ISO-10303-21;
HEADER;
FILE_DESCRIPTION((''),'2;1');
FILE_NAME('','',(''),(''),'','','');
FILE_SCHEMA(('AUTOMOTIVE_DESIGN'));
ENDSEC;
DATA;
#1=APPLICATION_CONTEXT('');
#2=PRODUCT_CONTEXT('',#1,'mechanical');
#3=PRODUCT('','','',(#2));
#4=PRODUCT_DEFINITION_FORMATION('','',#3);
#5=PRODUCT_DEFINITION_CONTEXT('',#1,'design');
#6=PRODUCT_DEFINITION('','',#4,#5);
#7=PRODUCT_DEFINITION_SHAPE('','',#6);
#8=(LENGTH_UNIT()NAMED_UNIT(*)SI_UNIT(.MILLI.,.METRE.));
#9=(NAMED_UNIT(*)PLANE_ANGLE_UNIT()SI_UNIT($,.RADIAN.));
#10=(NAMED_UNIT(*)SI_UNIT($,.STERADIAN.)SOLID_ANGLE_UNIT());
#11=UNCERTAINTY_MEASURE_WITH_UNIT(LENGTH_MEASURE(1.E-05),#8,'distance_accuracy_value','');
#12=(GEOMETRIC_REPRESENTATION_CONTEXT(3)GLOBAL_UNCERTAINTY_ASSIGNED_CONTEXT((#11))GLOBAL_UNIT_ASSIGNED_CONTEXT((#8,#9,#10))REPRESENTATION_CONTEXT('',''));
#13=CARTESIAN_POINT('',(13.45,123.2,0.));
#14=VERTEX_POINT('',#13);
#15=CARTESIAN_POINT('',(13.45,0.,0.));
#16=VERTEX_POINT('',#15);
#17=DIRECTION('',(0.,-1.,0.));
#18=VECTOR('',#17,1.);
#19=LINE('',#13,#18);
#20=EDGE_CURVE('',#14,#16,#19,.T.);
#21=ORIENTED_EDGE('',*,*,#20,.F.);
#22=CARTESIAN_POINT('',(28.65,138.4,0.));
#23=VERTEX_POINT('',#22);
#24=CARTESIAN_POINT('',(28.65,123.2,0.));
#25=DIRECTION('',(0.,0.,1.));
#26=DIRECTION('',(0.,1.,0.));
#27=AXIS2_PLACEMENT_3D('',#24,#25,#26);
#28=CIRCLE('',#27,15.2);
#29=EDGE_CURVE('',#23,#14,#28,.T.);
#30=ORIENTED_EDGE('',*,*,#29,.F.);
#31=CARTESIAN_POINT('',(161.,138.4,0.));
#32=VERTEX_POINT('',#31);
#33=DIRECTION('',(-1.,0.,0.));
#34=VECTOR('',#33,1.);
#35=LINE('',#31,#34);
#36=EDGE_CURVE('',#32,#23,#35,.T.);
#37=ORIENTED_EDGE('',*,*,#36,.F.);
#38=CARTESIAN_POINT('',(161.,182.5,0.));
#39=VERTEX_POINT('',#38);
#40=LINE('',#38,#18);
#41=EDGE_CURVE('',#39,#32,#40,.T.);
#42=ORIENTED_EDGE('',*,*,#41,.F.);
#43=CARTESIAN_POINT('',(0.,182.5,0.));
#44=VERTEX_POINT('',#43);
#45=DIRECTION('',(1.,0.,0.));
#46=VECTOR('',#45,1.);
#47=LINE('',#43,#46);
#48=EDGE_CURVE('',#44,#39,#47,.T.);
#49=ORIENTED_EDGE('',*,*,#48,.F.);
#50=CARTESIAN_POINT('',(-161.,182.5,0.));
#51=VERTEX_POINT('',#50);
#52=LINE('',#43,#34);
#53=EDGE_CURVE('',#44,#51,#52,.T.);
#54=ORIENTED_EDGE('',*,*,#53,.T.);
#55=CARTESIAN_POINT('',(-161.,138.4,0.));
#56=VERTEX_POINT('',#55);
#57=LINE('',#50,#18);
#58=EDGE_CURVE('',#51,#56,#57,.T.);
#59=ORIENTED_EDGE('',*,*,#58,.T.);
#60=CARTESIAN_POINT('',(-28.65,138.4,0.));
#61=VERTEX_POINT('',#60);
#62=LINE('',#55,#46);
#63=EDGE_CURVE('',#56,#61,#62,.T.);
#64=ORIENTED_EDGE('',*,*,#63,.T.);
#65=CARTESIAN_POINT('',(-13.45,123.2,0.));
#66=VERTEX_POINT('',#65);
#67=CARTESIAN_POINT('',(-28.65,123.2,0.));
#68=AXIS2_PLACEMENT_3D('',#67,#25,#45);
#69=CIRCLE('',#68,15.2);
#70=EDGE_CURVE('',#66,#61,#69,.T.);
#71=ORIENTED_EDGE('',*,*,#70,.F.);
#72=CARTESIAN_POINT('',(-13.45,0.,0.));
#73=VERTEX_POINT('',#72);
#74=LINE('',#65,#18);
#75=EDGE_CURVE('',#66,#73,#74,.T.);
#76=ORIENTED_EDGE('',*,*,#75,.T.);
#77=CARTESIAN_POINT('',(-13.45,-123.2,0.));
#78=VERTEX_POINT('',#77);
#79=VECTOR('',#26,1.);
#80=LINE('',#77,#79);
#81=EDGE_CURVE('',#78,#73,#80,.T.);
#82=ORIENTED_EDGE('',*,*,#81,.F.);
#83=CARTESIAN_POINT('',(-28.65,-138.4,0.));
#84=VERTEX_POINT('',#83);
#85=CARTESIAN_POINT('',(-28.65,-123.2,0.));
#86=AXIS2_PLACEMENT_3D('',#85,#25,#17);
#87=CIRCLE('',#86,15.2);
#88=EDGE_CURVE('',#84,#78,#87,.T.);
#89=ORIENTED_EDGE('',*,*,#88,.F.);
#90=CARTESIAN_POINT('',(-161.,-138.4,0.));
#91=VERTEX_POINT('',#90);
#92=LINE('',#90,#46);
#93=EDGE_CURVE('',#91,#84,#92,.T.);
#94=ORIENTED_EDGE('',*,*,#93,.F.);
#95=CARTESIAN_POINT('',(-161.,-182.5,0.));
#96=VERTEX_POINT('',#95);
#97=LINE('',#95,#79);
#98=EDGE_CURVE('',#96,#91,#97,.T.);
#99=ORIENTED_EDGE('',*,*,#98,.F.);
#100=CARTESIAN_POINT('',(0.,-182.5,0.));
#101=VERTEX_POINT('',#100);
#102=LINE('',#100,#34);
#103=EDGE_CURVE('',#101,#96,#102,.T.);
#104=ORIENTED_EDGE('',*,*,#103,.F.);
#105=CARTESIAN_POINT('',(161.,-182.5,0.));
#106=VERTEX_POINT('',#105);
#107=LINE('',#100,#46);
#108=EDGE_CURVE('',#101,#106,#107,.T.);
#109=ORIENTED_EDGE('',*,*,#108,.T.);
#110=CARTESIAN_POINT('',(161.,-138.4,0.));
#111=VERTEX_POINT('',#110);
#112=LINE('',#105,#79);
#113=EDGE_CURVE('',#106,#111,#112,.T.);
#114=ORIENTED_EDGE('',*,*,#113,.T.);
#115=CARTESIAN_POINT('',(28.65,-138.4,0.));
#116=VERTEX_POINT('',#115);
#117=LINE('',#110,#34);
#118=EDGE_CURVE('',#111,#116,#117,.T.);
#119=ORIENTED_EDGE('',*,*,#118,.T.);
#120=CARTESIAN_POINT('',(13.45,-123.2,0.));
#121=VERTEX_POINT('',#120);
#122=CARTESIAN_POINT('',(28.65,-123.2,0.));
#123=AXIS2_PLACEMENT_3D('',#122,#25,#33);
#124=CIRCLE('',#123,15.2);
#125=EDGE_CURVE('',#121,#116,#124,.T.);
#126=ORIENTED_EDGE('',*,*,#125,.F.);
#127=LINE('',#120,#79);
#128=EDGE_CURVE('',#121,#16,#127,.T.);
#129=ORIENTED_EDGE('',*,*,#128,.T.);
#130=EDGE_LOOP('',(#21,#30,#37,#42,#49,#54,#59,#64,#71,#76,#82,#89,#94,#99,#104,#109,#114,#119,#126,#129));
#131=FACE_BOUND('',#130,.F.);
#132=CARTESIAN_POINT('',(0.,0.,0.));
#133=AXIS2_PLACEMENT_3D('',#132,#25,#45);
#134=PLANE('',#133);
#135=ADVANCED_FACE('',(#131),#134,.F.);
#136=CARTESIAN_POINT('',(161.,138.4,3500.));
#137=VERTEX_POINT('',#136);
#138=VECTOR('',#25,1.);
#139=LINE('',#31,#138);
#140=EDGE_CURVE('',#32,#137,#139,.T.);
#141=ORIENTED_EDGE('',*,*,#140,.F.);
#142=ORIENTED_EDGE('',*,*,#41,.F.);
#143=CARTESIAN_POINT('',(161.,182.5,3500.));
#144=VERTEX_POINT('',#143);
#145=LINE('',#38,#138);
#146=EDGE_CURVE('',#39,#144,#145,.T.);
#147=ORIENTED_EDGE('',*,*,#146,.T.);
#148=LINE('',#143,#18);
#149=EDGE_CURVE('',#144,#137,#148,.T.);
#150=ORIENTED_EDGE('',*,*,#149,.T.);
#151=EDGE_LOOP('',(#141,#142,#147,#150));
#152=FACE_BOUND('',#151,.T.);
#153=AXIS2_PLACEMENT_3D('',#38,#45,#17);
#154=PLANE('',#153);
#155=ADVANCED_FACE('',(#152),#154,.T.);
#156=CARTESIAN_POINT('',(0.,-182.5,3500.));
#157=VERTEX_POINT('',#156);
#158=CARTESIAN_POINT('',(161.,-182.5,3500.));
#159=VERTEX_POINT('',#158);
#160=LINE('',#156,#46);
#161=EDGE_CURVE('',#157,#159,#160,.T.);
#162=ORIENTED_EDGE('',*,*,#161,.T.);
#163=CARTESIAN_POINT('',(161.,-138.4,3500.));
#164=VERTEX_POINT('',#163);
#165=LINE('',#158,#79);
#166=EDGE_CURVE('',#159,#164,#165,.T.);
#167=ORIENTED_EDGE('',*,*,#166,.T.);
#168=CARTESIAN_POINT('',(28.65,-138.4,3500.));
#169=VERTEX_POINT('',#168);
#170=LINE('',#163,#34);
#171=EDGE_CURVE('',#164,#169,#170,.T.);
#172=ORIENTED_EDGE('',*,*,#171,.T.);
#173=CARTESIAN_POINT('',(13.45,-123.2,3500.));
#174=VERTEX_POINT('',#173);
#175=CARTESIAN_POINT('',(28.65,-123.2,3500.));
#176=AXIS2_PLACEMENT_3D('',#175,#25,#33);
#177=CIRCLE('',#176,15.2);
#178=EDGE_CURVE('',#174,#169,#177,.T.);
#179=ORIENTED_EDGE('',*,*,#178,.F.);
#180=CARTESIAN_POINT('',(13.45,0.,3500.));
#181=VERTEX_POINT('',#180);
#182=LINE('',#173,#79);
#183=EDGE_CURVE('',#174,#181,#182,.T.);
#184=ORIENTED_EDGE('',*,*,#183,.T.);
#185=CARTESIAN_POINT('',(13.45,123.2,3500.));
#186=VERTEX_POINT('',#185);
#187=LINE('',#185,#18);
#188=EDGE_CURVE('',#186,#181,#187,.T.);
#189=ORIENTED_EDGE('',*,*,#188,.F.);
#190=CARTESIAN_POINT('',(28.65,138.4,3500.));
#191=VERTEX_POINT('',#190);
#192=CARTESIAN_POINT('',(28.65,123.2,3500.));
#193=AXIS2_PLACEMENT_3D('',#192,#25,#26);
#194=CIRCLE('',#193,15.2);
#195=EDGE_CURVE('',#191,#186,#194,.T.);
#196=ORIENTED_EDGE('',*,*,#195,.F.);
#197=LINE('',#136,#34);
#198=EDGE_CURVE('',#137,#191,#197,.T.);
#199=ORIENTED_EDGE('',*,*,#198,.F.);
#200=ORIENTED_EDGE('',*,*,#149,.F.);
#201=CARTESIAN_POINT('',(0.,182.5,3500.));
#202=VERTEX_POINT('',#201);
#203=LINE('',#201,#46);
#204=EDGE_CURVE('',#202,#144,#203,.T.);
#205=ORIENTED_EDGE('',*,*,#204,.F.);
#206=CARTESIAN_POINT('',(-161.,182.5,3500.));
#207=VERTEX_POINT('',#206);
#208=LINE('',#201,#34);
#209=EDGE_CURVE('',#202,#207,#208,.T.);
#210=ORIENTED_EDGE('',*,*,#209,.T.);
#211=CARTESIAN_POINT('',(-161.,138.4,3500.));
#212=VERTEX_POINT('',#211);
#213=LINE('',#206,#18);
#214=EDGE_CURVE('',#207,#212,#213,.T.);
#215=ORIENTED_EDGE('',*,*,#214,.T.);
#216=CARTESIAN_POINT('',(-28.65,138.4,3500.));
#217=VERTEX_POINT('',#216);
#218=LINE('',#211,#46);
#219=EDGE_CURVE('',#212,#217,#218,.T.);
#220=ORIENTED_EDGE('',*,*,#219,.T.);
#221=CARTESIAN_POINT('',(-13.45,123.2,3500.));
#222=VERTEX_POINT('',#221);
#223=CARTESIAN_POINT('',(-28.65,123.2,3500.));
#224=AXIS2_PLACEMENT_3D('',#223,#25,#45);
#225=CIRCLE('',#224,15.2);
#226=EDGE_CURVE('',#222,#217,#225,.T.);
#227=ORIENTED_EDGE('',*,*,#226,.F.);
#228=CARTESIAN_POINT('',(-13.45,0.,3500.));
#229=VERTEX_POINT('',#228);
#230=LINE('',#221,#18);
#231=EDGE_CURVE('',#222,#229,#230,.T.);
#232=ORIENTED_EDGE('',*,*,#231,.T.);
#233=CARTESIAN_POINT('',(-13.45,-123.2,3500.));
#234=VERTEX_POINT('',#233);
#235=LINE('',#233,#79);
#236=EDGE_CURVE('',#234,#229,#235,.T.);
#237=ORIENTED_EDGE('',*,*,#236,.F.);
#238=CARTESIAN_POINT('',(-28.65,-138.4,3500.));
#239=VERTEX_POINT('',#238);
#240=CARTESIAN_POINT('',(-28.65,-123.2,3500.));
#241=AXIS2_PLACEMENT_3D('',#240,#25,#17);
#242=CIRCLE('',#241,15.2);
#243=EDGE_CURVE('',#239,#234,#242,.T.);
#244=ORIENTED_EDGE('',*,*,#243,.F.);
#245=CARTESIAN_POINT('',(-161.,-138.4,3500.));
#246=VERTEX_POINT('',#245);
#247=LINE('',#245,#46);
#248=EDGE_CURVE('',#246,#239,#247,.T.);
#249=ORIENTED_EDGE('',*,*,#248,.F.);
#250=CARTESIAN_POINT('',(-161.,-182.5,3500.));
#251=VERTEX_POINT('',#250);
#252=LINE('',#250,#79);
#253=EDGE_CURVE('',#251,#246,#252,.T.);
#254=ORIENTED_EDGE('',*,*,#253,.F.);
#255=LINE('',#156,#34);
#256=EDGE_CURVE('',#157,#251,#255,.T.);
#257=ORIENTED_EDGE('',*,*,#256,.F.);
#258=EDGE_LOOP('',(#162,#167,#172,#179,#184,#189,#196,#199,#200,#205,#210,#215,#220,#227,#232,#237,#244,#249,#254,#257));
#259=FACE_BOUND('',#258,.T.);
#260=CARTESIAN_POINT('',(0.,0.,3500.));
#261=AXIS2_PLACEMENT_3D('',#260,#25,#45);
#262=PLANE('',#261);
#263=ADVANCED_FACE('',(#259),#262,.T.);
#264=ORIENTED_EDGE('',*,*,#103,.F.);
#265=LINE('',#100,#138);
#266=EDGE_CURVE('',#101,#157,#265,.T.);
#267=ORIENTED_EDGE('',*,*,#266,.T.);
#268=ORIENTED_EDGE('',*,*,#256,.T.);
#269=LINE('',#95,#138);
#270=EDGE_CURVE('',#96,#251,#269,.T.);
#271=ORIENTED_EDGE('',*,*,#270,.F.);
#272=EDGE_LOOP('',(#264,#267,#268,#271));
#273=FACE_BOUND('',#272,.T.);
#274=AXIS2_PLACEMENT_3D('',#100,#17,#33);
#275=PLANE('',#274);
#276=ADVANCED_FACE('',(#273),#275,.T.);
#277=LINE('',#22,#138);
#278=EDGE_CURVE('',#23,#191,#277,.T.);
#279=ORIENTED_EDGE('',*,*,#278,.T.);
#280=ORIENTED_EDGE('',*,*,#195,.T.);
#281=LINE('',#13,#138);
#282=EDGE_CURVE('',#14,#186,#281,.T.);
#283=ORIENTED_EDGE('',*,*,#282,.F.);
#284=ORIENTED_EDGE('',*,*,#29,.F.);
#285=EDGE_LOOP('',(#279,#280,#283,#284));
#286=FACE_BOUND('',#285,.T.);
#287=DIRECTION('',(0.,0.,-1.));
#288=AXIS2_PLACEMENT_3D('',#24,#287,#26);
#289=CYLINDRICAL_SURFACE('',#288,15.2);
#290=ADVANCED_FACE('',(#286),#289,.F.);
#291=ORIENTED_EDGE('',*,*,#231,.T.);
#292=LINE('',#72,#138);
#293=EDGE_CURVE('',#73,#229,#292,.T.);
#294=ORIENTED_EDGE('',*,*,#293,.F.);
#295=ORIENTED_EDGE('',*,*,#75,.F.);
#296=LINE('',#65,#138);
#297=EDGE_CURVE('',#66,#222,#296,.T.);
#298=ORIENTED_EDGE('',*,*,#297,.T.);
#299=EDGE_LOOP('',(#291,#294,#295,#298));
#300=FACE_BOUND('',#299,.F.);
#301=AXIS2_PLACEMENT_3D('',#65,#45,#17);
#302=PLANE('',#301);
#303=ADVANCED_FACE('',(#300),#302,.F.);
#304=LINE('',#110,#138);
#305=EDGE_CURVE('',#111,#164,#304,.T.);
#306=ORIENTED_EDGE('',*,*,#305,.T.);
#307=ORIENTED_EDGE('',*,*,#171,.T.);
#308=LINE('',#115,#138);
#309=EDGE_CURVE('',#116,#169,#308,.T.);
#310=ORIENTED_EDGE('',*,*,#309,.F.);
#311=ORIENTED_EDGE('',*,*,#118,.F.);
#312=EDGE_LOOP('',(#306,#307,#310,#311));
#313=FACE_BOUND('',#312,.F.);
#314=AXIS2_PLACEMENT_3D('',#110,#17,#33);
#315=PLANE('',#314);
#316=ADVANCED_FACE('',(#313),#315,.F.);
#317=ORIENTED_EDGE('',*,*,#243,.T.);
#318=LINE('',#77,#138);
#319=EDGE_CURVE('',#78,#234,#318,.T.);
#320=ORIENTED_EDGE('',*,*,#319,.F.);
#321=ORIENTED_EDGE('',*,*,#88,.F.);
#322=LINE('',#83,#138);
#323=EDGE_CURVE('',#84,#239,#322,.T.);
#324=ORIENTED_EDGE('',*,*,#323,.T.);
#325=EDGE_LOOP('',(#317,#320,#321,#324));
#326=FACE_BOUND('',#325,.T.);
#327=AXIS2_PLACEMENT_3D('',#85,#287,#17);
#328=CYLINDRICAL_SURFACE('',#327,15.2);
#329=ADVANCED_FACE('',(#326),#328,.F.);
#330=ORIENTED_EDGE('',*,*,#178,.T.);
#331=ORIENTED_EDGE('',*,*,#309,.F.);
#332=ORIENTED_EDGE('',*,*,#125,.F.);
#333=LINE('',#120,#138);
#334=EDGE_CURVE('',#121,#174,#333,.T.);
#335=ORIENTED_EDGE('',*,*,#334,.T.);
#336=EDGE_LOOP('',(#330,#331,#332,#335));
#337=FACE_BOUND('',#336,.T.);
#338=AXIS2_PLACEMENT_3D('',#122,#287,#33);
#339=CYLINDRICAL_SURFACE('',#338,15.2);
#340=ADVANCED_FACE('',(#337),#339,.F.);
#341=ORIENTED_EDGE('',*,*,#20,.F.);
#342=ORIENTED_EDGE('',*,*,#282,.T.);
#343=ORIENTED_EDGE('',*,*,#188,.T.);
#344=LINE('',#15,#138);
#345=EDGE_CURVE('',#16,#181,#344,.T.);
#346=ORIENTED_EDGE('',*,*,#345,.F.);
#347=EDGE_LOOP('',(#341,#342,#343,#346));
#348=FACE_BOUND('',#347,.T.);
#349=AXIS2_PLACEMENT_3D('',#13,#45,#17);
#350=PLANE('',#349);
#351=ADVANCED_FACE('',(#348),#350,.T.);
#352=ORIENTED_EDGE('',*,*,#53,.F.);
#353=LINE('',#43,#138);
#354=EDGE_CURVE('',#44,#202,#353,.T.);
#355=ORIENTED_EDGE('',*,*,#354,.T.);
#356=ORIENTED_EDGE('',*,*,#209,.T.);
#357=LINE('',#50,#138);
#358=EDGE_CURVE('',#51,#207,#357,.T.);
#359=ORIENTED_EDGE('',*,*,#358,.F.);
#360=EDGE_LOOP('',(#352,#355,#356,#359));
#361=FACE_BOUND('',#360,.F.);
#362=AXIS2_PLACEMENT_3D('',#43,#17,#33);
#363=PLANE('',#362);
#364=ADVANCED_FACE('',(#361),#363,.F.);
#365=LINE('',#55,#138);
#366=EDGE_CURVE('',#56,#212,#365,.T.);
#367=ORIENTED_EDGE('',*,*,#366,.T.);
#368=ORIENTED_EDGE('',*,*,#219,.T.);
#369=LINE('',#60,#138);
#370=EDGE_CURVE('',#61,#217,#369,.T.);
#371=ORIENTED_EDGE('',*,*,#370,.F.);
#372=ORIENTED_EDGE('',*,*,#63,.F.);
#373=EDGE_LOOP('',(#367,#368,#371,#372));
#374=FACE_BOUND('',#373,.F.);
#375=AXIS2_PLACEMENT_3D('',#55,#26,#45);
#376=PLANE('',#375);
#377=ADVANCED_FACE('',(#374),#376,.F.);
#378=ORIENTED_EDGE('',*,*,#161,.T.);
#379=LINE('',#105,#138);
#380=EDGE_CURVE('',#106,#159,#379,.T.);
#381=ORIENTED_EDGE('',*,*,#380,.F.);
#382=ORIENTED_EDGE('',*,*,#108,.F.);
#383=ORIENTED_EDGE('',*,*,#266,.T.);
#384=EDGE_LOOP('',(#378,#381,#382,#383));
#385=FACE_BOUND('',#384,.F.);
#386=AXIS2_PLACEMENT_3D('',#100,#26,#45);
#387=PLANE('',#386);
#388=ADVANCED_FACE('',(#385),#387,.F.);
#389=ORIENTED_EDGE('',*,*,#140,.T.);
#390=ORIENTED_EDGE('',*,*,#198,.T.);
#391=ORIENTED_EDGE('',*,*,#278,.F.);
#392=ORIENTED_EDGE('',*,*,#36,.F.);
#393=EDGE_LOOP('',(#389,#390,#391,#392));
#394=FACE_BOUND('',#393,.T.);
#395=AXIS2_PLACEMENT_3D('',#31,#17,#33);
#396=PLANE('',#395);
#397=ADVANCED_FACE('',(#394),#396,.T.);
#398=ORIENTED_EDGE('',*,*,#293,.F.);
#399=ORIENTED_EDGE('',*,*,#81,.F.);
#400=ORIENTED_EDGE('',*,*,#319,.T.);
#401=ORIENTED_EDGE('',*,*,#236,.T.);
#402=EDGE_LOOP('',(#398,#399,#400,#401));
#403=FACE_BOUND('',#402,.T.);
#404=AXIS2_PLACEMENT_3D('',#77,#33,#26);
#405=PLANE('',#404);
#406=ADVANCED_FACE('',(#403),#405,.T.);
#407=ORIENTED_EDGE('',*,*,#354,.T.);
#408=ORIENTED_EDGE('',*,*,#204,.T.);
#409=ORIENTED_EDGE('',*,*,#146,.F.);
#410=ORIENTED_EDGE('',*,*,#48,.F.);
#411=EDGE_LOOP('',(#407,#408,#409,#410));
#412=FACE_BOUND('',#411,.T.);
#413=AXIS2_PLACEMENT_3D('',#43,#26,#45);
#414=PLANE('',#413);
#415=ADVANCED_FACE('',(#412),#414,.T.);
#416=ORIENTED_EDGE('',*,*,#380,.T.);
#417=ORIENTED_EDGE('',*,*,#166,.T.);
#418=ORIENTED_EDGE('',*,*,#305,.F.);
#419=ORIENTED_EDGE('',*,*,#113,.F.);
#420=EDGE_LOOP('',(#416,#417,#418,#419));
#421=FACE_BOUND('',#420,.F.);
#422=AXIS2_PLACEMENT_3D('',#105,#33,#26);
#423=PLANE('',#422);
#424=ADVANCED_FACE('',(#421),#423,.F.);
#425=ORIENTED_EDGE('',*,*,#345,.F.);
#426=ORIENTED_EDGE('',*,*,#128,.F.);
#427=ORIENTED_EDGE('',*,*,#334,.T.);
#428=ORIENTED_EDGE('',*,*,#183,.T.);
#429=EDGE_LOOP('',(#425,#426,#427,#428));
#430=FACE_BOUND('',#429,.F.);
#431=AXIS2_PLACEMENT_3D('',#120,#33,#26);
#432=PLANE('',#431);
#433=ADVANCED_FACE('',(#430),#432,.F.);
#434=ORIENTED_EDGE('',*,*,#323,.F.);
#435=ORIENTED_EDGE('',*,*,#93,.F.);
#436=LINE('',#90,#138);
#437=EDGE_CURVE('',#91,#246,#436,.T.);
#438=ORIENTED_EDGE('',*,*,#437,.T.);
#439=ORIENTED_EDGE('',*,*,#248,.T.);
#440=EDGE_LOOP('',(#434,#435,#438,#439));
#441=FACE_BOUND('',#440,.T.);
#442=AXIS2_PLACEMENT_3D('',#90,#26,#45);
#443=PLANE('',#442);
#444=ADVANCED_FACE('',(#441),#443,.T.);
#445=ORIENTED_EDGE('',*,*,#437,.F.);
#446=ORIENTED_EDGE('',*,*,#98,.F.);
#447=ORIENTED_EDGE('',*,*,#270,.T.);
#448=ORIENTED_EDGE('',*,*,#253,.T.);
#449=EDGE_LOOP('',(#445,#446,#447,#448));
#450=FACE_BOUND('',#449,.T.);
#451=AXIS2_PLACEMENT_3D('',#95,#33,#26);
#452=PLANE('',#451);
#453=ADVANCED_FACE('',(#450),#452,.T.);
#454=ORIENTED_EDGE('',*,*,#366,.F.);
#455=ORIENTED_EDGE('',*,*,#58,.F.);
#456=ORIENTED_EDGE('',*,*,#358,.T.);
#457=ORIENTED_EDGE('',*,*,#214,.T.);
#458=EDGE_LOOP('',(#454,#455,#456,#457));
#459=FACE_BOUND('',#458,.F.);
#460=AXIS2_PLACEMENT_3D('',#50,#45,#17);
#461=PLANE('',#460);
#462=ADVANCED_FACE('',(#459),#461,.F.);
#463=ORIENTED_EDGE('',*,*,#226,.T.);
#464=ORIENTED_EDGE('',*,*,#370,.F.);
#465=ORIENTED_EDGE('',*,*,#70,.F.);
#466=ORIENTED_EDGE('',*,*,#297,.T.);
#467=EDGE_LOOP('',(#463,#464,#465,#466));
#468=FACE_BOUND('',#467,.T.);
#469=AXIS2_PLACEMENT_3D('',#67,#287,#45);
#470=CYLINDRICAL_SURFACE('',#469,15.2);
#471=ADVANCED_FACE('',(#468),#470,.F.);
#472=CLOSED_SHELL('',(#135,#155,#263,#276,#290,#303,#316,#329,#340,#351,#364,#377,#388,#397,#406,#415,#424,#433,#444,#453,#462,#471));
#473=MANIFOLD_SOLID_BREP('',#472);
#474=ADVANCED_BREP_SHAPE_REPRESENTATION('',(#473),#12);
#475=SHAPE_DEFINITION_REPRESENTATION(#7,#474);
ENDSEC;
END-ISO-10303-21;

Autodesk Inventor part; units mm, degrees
ref_plane "YZ Plane" through (0, 0, 0) normal (1, 0, 0) x (0, 1, 0)
ref_plane "Start plane" through (0, 0, 0) normal (0, 0, 1) x (1, 0, 0)
ref_plane "End plane" through (0, 0, 3500) normal (0, 0, 1) x (1, 0, 0)
sketch "Sketch" plane through (0, 0, 0) normal (0, 0, 1) x (1, 0, 0)
  line L0 (-161, -182.5) -> (-161, -138.4)
  line L1 (-161, -138.4) -> (-28.65, -138.4)
  line L2 (-13.45, -123.2) -> (-13.45, 0)
  line L3 (-13.45, 0) -> (0, 0) construction
  line L4 (0, 0) -> (0, -182.5) construction
  line L5 (0, -182.5) -> (-161, -182.5)
  line L6 (-60, 0) -> (80, 0) construction
  line L7 (0, -60) -> (0, 80) construction
  line L8 (161, -182.5) -> (161, -138.4)
  line L9 (161, -138.4) -> (28.65, -138.4)
  line L10 (13.45, -123.2) -> (13.45, 0)
  line L11 (13.45, 0) -> (0, 0) construction
  line L12 (0, -182.5) -> (161, -182.5)
  line L13 (-161, 182.5) -> (-161, 138.4)
  line L14 (-161, 138.4) -> (-28.65, 138.4)
  line L15 (-13.45, 123.2) -> (-13.45, 0)
  line L16 (0, 182.5) -> (-161, 182.5)
  line L17 (161, 182.5) -> (161, 138.4)
  line L18 (161, 138.4) -> (28.65, 138.4)
  line L19 (0, 182.5) -> (161, 182.5)
  line L20 (13.45, 123.2) -> (13.45, 0)
  arc A0 (-13.45, 123.2) -> (-28.65, 138.4) centre (-28.65, 123.2) ccw
  arc A1 (28.65, 138.4) -> (13.45, 123.2) centre (28.65, 123.2) ccw
  arc A2 (13.45, -123.2) -> (28.65, -138.4) centre (28.65, -123.2) ccw
  arc A3 (-28.65, -138.4) -> (-13.45, -123.2) centre (-28.65, -123.2) ccw
  line L21 (0, 108) -> (0, -88) construction
  line L22 (-88, 0) -> (108, 0) construction
  point P0 (-13.45, -138.4)
  point P1 (13.45, -138.4)
  point P2 (-13.45, 138.4)
  point P3 (13.45, 138.4)
  dimension "d1" = 182.5
  dimension "d2" = 44.1
  dimension "d3" = 161
  dimension "d4" = 13.45
  dimension "d10" = 15.2
extrude "Body" add sketch "Sketch" along normal up to surface (3500 mm away) from surface at 0
sketch "Sketch4" plane through (0, 0, 0) normal (0, 0, 1) x (1, 0, 0)
  line L0 (0, 0) -> (10, 0)
ref_plane "Work Plane3" through (0, 0, 0) normal (0, -1, 0) x (1, 0, 0)
sketch "Sketch5" plane through (0, 0, 0) normal (0, -1, 0) x (1, 0, 0)
  line L0 (-2, 0) -> (12, 0) projected
  line L1 (-2, 3500) -> (12, 3500) projected
  dimension "d14" = 3500
equation "\"d1\" = 0.5 * G_H"
equation "\"d2\" = G_T1"
equation "\"d3\" = 0.5 * G_W"
equation "\"d4\" = 0.5 * G_T"
equation "\"d10\" = G_IR"
equation "\"d5\" = G_L"
equation "\"G_W\" = 322"
equation "\"G_H\" = 365"
equation "\"G_T\" = 26.9"
equation "\"G_T1\" = 44.1"
equation "\"G_IR\" = 15.2"
equation "\"G_L\" = d14"
equation "\"G_OFFSET_START\" = 0"
equation "\"G_OFFSET_END\" = 0"
properties part number "AS 3679 - 310 UC - 283 - 3500" material "Steel, Mild"
